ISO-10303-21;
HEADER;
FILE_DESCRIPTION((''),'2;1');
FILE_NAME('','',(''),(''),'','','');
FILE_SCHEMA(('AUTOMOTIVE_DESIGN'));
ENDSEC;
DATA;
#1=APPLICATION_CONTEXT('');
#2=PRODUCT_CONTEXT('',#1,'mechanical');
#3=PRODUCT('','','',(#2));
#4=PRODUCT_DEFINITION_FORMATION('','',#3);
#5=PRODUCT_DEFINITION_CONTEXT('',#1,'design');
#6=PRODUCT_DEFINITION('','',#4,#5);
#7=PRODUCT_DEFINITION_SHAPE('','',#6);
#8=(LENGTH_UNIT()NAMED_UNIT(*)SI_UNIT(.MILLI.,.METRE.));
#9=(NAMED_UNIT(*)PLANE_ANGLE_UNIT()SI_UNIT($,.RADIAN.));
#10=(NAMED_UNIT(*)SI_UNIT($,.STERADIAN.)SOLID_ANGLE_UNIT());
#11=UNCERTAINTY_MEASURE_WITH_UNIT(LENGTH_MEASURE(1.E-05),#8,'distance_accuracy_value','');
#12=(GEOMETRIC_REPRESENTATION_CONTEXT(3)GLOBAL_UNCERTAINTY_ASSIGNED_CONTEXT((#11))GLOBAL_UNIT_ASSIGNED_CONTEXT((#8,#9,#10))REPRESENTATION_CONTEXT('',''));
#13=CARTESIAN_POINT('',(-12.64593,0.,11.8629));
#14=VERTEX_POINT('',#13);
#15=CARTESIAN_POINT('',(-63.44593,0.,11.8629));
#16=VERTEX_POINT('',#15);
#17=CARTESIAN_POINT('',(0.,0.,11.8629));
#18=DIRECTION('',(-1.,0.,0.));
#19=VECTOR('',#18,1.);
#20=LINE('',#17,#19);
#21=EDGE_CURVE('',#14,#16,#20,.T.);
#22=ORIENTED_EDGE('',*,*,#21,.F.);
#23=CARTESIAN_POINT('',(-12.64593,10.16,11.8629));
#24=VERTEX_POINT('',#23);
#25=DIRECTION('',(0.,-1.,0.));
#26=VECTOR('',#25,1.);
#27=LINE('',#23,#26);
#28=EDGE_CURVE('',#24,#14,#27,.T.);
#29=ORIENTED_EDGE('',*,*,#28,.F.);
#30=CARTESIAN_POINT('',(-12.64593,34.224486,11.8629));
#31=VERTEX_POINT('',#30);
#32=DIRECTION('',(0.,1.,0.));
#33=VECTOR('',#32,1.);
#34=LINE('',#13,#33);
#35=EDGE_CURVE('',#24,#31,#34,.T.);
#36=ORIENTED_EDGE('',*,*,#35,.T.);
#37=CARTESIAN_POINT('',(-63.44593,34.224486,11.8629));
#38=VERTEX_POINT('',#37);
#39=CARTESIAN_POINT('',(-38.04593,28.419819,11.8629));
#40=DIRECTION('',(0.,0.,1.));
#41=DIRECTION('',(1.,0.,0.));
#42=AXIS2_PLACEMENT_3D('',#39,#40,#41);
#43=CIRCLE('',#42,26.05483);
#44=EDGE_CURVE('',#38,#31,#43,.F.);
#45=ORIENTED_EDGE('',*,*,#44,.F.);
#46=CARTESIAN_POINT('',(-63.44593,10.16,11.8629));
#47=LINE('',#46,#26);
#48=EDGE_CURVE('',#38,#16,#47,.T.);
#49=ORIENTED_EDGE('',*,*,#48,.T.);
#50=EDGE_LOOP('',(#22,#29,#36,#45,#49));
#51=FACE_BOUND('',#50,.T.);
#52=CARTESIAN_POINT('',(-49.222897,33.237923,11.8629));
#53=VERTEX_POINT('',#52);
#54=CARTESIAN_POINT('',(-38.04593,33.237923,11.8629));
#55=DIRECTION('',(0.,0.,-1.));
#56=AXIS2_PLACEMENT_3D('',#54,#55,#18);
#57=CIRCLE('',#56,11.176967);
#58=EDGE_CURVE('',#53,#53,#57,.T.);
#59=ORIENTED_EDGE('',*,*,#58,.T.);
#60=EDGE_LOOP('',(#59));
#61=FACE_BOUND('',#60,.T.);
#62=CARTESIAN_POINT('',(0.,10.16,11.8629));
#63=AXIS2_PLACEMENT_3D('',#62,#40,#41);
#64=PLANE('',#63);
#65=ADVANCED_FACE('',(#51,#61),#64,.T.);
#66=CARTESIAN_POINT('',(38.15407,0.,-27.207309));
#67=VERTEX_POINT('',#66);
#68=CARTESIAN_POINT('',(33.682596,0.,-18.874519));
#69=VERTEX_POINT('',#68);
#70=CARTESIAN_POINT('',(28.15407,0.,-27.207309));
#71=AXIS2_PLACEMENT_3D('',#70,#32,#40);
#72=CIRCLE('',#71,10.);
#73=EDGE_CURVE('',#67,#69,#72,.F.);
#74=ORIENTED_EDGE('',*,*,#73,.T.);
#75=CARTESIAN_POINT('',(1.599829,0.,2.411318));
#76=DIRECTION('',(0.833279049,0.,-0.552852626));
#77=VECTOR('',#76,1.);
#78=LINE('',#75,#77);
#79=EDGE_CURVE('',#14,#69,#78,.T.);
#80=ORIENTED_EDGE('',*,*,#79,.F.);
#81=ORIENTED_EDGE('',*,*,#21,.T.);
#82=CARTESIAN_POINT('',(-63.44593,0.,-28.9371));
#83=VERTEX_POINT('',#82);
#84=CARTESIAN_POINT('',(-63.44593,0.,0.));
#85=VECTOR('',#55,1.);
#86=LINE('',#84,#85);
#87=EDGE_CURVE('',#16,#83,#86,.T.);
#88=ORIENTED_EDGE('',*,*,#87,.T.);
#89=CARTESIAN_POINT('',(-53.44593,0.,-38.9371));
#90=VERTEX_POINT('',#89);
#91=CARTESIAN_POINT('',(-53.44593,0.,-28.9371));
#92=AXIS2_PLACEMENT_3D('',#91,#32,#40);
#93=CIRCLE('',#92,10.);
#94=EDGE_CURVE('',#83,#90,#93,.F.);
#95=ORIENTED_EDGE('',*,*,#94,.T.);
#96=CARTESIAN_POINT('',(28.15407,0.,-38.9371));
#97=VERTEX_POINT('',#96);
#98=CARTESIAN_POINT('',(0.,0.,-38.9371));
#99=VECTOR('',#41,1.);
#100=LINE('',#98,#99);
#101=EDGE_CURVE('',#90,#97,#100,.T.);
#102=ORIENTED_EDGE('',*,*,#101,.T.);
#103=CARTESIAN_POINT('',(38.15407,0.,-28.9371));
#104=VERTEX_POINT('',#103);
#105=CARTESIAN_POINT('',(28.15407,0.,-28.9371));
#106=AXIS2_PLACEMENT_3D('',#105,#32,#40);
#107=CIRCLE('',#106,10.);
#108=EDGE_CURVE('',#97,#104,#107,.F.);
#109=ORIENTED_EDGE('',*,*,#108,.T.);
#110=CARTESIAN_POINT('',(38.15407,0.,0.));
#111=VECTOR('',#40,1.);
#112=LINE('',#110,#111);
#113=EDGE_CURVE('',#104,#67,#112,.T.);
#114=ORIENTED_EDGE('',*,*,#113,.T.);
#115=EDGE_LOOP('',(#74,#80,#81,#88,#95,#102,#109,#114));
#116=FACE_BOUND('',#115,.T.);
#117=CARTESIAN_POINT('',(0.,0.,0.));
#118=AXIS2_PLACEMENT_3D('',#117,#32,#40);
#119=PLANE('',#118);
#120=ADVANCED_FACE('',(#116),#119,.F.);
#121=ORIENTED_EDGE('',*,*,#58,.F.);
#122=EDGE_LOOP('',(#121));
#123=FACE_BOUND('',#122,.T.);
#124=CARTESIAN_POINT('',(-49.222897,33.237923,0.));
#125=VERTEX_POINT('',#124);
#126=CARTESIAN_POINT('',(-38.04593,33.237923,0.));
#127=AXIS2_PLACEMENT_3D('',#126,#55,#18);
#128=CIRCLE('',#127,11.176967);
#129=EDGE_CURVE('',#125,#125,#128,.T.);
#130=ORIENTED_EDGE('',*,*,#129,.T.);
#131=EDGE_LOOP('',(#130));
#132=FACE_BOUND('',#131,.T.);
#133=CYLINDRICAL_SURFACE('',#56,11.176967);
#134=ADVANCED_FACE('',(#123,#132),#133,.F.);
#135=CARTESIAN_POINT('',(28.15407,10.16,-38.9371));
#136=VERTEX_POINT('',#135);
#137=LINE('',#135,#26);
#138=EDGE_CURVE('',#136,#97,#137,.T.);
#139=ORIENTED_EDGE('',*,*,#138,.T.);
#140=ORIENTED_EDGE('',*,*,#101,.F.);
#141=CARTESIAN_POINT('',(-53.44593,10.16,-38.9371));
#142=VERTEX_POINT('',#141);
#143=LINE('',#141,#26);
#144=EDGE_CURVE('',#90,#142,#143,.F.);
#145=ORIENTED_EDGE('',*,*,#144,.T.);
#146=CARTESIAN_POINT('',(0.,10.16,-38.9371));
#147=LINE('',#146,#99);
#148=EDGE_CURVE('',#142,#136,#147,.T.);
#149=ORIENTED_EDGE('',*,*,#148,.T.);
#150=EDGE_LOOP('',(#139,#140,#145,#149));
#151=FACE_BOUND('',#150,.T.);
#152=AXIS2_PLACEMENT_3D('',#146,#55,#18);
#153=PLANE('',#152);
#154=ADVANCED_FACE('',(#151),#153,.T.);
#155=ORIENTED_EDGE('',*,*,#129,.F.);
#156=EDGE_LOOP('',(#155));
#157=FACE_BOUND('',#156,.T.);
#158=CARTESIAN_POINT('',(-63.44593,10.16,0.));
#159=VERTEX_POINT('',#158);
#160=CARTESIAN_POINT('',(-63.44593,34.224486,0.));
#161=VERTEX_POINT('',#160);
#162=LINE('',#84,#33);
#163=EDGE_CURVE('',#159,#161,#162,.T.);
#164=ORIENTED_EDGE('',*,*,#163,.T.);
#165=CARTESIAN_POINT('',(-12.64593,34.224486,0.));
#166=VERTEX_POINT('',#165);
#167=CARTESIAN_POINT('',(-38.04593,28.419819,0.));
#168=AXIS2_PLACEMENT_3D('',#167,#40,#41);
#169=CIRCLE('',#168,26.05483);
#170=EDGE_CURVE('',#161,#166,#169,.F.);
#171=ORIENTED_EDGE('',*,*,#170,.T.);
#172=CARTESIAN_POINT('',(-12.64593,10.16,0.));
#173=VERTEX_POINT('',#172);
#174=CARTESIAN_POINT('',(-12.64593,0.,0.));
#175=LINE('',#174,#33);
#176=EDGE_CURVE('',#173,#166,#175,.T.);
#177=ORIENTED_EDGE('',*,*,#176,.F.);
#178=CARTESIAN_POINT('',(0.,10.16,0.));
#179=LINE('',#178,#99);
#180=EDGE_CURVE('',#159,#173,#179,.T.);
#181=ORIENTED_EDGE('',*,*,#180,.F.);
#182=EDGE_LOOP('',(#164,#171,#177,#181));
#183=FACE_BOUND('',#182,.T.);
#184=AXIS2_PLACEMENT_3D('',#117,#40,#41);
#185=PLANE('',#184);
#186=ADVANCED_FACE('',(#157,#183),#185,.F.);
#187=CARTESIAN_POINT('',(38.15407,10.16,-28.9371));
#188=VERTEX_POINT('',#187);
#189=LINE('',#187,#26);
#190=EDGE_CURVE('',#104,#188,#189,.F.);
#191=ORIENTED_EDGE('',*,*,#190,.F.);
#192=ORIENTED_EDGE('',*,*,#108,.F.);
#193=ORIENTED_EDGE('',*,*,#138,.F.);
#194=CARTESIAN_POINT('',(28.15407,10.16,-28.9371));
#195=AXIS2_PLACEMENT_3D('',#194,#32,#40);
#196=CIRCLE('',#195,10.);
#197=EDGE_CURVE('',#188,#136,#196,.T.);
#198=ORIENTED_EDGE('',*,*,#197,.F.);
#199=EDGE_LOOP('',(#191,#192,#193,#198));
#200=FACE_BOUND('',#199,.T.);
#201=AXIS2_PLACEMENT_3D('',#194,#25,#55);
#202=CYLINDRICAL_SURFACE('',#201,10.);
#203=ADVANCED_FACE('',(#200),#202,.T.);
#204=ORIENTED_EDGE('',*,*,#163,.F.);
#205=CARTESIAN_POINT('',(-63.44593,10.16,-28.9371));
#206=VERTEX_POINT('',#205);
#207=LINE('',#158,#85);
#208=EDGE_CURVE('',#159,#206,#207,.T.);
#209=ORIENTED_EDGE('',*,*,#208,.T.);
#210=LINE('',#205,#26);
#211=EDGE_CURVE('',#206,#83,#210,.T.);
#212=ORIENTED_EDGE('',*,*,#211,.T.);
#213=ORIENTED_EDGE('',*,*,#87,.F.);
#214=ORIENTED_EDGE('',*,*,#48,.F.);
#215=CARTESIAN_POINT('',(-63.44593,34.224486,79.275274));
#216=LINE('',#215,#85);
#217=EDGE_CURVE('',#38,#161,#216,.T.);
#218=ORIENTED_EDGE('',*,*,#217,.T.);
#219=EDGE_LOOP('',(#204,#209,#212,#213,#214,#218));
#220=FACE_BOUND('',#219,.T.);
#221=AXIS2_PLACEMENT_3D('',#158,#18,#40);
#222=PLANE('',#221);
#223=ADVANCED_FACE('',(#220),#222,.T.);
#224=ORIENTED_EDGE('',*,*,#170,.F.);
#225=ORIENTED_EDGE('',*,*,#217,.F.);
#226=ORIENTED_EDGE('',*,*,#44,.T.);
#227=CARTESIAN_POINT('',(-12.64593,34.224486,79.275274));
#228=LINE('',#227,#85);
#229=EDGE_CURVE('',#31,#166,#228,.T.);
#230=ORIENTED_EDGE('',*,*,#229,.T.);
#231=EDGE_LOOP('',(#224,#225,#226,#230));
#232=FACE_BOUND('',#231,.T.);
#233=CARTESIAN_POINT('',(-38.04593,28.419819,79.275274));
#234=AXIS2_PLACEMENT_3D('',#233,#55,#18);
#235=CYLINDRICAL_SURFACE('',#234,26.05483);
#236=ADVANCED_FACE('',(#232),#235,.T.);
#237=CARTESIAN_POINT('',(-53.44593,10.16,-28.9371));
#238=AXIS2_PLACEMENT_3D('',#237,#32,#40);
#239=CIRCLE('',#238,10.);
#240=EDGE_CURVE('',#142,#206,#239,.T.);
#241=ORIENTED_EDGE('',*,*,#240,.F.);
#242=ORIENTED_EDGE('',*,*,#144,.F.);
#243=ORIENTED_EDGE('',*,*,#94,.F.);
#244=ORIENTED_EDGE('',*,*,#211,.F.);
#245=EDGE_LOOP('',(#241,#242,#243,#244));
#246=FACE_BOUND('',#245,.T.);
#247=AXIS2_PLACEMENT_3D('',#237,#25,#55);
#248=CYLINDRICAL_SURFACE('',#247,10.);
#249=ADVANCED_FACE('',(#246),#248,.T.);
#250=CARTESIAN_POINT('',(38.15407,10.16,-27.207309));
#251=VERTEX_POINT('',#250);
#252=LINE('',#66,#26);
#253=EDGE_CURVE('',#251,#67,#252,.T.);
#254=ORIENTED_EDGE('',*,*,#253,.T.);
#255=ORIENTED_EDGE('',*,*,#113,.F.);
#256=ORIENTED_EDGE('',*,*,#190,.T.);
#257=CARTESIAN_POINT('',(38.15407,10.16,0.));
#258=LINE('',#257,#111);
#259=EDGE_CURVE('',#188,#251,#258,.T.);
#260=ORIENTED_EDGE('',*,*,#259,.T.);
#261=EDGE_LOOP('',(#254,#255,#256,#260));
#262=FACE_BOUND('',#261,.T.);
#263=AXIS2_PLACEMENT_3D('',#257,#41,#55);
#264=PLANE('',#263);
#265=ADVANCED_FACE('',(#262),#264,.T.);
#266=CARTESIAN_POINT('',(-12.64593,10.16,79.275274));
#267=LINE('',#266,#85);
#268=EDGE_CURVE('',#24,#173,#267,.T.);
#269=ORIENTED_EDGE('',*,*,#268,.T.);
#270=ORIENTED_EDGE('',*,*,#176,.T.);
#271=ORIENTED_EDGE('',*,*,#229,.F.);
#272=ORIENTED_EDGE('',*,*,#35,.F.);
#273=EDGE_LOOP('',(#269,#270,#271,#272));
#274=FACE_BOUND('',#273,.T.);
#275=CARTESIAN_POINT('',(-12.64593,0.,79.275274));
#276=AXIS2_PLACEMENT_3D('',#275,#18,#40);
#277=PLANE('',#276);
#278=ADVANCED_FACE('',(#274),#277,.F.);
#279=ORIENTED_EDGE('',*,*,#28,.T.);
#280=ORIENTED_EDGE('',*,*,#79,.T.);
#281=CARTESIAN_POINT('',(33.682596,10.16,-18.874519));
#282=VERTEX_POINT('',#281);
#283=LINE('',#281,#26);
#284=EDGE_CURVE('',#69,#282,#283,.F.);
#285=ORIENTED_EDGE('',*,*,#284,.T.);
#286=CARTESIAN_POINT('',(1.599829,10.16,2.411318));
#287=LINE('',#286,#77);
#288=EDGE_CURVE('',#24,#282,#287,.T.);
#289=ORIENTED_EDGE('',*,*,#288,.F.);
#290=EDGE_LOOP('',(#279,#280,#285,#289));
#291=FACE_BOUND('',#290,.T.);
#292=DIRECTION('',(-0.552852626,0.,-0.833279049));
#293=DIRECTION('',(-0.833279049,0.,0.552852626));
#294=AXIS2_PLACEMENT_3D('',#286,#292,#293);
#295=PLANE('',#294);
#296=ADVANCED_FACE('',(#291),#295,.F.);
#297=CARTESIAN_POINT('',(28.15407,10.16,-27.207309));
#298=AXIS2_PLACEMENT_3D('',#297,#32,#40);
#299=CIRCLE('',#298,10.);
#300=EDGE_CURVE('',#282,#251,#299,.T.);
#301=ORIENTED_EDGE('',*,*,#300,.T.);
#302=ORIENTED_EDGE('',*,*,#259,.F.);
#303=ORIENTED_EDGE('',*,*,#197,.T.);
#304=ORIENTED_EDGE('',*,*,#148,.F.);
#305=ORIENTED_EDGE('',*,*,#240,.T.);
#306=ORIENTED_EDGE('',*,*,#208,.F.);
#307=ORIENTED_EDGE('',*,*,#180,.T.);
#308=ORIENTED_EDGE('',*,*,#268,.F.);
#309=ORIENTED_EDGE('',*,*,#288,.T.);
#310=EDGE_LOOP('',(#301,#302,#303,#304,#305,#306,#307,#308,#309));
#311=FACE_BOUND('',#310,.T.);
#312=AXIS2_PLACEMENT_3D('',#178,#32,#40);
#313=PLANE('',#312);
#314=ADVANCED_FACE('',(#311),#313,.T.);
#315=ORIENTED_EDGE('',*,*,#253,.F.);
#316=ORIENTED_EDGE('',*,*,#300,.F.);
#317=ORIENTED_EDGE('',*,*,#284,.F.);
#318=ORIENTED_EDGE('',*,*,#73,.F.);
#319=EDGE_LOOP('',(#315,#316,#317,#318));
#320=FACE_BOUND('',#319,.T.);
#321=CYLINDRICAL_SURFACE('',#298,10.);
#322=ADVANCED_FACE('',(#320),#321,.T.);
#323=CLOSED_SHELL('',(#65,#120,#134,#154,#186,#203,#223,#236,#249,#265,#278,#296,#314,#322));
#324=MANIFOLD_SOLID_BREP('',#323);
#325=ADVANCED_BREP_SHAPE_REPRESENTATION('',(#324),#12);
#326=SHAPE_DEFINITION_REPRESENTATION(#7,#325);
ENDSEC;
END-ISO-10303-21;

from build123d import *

# Parameters (mm, degrees)
BOSS_EXTRUDE1_DEPTH = 10.16
SKETCH3_W           = 50.8
SKETCH3_H           = 24.064486013
BOSS_EXTRUDE2_DEPTH = 11.8629
SKETCH4_R           = 11.176966962
CUT_EXTRUDE2_DEPTH  = 12.862900188
FILLET1_R           = 10
FILLET2_R           = 10
FILLET3_R           = 10


with BuildPart() as part:
    # Sketch1 → Boss-Extrude1 (new body)
    with BuildSketch(Plane(origin=(0, 0, 0), x_dir=(1, 0, 0), z_dir=(0, 1, 0))):
        Polygon((38.154070096, 38.937099812), (-63.445929904, 38.937099812), (-63.445929904, -11.862900188), (-12.645929904, -11.862900188), (38.154070096, 21.8411914), align=None)
    extrude(amount=BOSS_EXTRUDE1_DEPTH)

    # Sketch3 → Boss-Extrude2 (add)
    with BuildSketch(Plane.XY):
        with BuildLine():
            ThreePointArc((-63.445929904, 34.224486013), (-38.045929904, 54.474648718), (-12.645929904, 34.224486013))
            Line((-12.645929904, 34.224486013), (-63.445929904, 34.224486013))
        make_face()
        with Locations((-38.045929904, 22.192243007)):
            Rectangle(SKETCH3_W, SKETCH3_H)
    extrude(amount=BOSS_EXTRUDE2_DEPTH)

    # Sketch4 → Cut-Extrude2 (cut, through all)
    with BuildSketch(Plane(origin=(0, 0, 0), x_dir=(-1, 0, 0), z_dir=(0, 0, -1))):
        with Locations((38.045929904, 33.23792349)):
            Circle(SKETCH4_R)
    extrude(amount=-CUT_EXTRUDE2_DEPTH, mode=Mode.SUBTRACT)

    # Fillet1
    fillet1_edges = [part.edges().sort_by_distance(p)[0] for p in [
        (38.154070096, 5.08, -38.937099812),
    ]]
    fillet(fillet1_edges, radius=FILLET1_R)

    # Fillet2
    fillet2_edges = [part.edges().sort_by_distance(p)[0] for p in [
        (38.154070096, 5.08, -21.8411914),
    ]]
    fillet(fillet2_edges, radius=FILLET2_R)

    # Fillet3
    fillet3_edges = [part.edges().sort_by_distance(p)[0] for p in [
        (-63.445929904, 5.08, -38.937099812),
    ]]
    fillet(fillet3_edges, radius=FILLET3_R)


solid = part.part
